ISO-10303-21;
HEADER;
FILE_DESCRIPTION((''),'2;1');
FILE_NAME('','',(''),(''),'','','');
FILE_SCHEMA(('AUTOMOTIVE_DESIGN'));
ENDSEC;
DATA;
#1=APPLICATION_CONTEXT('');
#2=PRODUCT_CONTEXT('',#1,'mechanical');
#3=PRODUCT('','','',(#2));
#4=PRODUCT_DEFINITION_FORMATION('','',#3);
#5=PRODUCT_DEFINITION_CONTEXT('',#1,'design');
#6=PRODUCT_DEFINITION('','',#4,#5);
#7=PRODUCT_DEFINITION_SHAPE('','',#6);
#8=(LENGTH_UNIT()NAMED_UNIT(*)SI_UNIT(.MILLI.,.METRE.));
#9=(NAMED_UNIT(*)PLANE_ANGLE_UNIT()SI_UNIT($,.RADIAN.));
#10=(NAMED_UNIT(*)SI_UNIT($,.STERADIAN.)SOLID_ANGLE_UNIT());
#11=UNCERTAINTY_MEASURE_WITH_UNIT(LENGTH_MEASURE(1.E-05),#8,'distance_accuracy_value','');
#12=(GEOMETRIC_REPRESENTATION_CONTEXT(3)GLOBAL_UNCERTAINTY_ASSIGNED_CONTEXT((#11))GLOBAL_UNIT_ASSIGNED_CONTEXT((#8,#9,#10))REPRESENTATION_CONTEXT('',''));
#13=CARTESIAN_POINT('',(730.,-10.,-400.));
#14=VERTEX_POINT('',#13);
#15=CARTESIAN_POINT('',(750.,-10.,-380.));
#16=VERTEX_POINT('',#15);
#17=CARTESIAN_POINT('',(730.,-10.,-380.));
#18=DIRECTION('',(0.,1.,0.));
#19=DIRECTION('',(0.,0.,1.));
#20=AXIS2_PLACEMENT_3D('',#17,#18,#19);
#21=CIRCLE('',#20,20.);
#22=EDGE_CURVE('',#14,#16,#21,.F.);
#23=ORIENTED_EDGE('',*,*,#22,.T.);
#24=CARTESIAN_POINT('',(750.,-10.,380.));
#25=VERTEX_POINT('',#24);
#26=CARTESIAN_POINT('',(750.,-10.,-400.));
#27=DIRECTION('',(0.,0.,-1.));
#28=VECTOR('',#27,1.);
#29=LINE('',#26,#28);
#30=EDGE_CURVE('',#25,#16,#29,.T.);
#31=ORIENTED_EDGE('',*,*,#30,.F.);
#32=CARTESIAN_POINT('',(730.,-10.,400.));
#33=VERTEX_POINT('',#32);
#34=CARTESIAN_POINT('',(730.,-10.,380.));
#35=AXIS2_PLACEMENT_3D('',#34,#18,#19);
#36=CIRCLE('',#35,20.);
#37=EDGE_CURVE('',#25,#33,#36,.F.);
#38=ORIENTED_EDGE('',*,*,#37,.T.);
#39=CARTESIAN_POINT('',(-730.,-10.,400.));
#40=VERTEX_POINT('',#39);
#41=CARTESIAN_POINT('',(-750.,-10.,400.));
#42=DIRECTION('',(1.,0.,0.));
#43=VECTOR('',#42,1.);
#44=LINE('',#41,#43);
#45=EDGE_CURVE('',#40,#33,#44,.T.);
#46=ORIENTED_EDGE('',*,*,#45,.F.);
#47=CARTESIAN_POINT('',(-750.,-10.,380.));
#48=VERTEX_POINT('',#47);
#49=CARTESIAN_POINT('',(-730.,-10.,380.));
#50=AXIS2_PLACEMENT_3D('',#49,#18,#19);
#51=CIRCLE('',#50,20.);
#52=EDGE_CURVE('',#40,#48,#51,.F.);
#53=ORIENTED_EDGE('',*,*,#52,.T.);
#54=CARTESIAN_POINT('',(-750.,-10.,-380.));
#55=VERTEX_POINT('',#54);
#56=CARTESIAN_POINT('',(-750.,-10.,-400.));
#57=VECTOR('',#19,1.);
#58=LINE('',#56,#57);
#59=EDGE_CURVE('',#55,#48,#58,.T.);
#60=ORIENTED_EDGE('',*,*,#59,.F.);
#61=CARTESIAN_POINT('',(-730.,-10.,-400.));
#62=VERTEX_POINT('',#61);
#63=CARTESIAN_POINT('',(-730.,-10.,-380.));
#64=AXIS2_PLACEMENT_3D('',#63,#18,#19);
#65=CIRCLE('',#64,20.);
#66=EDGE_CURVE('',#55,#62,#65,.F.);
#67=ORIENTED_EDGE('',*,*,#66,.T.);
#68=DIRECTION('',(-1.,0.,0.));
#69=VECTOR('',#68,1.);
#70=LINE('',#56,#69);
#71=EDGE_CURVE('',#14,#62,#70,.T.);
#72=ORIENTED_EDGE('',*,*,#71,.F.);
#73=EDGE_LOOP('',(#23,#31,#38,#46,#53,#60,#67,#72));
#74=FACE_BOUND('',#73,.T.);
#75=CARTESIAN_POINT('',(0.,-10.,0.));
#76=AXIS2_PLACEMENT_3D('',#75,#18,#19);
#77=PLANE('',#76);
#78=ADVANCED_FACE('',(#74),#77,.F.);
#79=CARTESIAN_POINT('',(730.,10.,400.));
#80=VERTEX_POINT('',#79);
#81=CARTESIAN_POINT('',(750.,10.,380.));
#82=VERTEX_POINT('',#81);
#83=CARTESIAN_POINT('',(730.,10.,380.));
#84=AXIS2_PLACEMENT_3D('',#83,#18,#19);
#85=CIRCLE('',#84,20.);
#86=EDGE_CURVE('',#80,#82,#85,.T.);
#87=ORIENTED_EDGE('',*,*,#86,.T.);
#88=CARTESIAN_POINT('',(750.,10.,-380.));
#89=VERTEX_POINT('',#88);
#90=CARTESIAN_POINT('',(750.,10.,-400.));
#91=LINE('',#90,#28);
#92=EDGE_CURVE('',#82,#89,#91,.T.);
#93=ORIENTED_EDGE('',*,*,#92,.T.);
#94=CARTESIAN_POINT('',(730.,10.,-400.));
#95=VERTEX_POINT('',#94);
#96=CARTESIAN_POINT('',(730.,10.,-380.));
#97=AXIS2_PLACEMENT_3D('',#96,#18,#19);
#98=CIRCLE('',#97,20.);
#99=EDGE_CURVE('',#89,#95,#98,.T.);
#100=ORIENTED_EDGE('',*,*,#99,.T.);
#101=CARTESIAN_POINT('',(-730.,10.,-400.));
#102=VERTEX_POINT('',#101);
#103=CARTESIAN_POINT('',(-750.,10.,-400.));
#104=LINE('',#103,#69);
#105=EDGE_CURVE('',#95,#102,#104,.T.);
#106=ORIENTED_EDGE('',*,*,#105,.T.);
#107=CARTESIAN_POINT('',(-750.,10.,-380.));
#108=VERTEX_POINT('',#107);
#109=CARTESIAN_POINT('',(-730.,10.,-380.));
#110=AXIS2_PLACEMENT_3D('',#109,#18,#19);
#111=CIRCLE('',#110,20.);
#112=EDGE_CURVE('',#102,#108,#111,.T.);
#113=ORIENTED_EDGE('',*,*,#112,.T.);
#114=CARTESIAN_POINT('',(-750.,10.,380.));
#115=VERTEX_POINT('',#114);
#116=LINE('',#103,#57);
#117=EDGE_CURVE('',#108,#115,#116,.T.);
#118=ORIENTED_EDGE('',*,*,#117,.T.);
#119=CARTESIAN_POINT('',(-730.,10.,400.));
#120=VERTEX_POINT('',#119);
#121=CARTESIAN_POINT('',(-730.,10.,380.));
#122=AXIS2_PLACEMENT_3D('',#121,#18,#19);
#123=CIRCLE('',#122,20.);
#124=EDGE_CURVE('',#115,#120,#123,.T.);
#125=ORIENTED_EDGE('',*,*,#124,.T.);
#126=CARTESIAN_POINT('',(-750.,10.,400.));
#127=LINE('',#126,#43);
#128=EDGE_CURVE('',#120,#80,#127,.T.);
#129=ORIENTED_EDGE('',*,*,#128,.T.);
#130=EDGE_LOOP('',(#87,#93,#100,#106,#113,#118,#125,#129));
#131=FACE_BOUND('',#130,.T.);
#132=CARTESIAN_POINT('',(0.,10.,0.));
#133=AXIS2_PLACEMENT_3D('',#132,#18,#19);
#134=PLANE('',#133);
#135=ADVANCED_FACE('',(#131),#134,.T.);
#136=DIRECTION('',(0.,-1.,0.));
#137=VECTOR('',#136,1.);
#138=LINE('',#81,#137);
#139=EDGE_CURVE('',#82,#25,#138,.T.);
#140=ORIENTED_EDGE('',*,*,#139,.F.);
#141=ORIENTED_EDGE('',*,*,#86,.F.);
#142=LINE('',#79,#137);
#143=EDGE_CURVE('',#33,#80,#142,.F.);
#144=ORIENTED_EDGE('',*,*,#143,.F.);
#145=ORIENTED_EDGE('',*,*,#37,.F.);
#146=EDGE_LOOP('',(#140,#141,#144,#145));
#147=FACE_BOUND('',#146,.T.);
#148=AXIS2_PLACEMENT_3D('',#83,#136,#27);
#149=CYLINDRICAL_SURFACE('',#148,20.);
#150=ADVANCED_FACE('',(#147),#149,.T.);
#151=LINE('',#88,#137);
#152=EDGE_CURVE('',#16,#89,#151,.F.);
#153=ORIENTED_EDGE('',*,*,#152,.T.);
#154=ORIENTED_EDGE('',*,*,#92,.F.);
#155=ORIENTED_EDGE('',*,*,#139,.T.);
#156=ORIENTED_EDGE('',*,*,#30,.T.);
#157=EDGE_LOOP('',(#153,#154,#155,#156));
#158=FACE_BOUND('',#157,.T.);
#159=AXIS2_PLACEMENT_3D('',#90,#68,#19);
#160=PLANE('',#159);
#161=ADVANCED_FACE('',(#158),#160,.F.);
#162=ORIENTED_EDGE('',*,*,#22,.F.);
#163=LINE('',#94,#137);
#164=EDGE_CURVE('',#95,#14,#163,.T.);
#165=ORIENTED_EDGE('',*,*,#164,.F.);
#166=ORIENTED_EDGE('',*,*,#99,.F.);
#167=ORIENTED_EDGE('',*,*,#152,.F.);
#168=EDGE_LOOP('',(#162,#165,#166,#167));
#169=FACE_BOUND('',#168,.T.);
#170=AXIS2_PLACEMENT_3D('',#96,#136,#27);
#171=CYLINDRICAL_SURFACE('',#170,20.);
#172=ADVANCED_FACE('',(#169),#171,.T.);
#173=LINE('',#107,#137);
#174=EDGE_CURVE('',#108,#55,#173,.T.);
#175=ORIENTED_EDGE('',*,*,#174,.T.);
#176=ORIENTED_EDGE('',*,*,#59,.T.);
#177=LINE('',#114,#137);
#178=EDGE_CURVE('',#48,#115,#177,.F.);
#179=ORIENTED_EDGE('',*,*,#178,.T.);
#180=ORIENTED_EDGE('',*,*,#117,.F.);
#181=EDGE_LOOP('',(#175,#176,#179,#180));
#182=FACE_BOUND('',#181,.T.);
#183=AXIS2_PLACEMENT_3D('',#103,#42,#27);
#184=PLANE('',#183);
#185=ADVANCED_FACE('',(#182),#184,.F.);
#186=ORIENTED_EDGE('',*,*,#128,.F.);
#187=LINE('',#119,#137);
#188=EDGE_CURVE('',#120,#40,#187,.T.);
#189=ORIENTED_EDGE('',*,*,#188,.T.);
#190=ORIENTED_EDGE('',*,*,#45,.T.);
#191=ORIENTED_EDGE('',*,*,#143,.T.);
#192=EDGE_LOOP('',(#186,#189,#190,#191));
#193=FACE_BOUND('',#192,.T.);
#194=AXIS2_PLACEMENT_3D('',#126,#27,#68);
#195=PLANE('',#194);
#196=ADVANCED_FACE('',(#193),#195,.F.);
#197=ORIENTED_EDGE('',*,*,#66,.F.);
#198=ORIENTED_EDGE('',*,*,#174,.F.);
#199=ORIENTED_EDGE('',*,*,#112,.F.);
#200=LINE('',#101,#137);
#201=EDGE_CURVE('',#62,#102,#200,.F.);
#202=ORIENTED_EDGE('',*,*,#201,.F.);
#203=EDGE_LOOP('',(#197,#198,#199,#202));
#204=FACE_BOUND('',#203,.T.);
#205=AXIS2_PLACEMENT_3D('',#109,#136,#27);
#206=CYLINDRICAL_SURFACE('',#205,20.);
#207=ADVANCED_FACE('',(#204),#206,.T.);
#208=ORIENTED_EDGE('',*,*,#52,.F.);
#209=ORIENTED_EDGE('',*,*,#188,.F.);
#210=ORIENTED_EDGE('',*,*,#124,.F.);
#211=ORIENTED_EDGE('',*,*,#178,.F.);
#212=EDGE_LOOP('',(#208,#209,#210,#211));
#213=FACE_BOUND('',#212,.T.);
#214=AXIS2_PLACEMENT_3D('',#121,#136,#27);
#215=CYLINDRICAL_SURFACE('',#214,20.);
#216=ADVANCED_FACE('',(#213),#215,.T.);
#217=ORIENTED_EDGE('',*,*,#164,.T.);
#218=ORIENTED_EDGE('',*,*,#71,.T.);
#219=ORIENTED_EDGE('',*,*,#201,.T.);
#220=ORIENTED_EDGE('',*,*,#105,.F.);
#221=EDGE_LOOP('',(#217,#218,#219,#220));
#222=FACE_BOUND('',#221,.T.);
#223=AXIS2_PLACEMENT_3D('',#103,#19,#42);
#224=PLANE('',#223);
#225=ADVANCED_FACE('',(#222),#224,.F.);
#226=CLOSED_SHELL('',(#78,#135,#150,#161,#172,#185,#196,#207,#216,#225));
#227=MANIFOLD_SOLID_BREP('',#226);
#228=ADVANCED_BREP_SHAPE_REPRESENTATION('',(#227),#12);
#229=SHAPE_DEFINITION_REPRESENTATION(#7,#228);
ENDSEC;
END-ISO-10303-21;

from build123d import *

# Parameters (mm, degrees)
SKETCH2_W           = 1500
SKETCH2_H           = 800
BOSS_EXTRUDE1_DEPTH = 10
FILLET1_R           = 20


with BuildPart() as part:
    # Sketch2 → Boss-Extrude1 (new body, symmetric)
    with BuildSketch(Plane(origin=(0, 0, 0), x_dir=(1, 0, 0), z_dir=(0, 1, 0))):
        Rectangle(SKETCH2_W, SKETCH2_H)
    extrude(amount=BOSS_EXTRUDE1_DEPTH, both=True)

    # Fillet1
    fillet1_edges = [part.edges().sort_by_distance(p)[0] for p in [
        (750, 0, 400),
        (-750, 0, 400),
        (-750, 0, -400),
        (750, 0, -400),
    ]]
    fillet(fillet1_edges, radius=FILLET1_R)


solid = part.part
